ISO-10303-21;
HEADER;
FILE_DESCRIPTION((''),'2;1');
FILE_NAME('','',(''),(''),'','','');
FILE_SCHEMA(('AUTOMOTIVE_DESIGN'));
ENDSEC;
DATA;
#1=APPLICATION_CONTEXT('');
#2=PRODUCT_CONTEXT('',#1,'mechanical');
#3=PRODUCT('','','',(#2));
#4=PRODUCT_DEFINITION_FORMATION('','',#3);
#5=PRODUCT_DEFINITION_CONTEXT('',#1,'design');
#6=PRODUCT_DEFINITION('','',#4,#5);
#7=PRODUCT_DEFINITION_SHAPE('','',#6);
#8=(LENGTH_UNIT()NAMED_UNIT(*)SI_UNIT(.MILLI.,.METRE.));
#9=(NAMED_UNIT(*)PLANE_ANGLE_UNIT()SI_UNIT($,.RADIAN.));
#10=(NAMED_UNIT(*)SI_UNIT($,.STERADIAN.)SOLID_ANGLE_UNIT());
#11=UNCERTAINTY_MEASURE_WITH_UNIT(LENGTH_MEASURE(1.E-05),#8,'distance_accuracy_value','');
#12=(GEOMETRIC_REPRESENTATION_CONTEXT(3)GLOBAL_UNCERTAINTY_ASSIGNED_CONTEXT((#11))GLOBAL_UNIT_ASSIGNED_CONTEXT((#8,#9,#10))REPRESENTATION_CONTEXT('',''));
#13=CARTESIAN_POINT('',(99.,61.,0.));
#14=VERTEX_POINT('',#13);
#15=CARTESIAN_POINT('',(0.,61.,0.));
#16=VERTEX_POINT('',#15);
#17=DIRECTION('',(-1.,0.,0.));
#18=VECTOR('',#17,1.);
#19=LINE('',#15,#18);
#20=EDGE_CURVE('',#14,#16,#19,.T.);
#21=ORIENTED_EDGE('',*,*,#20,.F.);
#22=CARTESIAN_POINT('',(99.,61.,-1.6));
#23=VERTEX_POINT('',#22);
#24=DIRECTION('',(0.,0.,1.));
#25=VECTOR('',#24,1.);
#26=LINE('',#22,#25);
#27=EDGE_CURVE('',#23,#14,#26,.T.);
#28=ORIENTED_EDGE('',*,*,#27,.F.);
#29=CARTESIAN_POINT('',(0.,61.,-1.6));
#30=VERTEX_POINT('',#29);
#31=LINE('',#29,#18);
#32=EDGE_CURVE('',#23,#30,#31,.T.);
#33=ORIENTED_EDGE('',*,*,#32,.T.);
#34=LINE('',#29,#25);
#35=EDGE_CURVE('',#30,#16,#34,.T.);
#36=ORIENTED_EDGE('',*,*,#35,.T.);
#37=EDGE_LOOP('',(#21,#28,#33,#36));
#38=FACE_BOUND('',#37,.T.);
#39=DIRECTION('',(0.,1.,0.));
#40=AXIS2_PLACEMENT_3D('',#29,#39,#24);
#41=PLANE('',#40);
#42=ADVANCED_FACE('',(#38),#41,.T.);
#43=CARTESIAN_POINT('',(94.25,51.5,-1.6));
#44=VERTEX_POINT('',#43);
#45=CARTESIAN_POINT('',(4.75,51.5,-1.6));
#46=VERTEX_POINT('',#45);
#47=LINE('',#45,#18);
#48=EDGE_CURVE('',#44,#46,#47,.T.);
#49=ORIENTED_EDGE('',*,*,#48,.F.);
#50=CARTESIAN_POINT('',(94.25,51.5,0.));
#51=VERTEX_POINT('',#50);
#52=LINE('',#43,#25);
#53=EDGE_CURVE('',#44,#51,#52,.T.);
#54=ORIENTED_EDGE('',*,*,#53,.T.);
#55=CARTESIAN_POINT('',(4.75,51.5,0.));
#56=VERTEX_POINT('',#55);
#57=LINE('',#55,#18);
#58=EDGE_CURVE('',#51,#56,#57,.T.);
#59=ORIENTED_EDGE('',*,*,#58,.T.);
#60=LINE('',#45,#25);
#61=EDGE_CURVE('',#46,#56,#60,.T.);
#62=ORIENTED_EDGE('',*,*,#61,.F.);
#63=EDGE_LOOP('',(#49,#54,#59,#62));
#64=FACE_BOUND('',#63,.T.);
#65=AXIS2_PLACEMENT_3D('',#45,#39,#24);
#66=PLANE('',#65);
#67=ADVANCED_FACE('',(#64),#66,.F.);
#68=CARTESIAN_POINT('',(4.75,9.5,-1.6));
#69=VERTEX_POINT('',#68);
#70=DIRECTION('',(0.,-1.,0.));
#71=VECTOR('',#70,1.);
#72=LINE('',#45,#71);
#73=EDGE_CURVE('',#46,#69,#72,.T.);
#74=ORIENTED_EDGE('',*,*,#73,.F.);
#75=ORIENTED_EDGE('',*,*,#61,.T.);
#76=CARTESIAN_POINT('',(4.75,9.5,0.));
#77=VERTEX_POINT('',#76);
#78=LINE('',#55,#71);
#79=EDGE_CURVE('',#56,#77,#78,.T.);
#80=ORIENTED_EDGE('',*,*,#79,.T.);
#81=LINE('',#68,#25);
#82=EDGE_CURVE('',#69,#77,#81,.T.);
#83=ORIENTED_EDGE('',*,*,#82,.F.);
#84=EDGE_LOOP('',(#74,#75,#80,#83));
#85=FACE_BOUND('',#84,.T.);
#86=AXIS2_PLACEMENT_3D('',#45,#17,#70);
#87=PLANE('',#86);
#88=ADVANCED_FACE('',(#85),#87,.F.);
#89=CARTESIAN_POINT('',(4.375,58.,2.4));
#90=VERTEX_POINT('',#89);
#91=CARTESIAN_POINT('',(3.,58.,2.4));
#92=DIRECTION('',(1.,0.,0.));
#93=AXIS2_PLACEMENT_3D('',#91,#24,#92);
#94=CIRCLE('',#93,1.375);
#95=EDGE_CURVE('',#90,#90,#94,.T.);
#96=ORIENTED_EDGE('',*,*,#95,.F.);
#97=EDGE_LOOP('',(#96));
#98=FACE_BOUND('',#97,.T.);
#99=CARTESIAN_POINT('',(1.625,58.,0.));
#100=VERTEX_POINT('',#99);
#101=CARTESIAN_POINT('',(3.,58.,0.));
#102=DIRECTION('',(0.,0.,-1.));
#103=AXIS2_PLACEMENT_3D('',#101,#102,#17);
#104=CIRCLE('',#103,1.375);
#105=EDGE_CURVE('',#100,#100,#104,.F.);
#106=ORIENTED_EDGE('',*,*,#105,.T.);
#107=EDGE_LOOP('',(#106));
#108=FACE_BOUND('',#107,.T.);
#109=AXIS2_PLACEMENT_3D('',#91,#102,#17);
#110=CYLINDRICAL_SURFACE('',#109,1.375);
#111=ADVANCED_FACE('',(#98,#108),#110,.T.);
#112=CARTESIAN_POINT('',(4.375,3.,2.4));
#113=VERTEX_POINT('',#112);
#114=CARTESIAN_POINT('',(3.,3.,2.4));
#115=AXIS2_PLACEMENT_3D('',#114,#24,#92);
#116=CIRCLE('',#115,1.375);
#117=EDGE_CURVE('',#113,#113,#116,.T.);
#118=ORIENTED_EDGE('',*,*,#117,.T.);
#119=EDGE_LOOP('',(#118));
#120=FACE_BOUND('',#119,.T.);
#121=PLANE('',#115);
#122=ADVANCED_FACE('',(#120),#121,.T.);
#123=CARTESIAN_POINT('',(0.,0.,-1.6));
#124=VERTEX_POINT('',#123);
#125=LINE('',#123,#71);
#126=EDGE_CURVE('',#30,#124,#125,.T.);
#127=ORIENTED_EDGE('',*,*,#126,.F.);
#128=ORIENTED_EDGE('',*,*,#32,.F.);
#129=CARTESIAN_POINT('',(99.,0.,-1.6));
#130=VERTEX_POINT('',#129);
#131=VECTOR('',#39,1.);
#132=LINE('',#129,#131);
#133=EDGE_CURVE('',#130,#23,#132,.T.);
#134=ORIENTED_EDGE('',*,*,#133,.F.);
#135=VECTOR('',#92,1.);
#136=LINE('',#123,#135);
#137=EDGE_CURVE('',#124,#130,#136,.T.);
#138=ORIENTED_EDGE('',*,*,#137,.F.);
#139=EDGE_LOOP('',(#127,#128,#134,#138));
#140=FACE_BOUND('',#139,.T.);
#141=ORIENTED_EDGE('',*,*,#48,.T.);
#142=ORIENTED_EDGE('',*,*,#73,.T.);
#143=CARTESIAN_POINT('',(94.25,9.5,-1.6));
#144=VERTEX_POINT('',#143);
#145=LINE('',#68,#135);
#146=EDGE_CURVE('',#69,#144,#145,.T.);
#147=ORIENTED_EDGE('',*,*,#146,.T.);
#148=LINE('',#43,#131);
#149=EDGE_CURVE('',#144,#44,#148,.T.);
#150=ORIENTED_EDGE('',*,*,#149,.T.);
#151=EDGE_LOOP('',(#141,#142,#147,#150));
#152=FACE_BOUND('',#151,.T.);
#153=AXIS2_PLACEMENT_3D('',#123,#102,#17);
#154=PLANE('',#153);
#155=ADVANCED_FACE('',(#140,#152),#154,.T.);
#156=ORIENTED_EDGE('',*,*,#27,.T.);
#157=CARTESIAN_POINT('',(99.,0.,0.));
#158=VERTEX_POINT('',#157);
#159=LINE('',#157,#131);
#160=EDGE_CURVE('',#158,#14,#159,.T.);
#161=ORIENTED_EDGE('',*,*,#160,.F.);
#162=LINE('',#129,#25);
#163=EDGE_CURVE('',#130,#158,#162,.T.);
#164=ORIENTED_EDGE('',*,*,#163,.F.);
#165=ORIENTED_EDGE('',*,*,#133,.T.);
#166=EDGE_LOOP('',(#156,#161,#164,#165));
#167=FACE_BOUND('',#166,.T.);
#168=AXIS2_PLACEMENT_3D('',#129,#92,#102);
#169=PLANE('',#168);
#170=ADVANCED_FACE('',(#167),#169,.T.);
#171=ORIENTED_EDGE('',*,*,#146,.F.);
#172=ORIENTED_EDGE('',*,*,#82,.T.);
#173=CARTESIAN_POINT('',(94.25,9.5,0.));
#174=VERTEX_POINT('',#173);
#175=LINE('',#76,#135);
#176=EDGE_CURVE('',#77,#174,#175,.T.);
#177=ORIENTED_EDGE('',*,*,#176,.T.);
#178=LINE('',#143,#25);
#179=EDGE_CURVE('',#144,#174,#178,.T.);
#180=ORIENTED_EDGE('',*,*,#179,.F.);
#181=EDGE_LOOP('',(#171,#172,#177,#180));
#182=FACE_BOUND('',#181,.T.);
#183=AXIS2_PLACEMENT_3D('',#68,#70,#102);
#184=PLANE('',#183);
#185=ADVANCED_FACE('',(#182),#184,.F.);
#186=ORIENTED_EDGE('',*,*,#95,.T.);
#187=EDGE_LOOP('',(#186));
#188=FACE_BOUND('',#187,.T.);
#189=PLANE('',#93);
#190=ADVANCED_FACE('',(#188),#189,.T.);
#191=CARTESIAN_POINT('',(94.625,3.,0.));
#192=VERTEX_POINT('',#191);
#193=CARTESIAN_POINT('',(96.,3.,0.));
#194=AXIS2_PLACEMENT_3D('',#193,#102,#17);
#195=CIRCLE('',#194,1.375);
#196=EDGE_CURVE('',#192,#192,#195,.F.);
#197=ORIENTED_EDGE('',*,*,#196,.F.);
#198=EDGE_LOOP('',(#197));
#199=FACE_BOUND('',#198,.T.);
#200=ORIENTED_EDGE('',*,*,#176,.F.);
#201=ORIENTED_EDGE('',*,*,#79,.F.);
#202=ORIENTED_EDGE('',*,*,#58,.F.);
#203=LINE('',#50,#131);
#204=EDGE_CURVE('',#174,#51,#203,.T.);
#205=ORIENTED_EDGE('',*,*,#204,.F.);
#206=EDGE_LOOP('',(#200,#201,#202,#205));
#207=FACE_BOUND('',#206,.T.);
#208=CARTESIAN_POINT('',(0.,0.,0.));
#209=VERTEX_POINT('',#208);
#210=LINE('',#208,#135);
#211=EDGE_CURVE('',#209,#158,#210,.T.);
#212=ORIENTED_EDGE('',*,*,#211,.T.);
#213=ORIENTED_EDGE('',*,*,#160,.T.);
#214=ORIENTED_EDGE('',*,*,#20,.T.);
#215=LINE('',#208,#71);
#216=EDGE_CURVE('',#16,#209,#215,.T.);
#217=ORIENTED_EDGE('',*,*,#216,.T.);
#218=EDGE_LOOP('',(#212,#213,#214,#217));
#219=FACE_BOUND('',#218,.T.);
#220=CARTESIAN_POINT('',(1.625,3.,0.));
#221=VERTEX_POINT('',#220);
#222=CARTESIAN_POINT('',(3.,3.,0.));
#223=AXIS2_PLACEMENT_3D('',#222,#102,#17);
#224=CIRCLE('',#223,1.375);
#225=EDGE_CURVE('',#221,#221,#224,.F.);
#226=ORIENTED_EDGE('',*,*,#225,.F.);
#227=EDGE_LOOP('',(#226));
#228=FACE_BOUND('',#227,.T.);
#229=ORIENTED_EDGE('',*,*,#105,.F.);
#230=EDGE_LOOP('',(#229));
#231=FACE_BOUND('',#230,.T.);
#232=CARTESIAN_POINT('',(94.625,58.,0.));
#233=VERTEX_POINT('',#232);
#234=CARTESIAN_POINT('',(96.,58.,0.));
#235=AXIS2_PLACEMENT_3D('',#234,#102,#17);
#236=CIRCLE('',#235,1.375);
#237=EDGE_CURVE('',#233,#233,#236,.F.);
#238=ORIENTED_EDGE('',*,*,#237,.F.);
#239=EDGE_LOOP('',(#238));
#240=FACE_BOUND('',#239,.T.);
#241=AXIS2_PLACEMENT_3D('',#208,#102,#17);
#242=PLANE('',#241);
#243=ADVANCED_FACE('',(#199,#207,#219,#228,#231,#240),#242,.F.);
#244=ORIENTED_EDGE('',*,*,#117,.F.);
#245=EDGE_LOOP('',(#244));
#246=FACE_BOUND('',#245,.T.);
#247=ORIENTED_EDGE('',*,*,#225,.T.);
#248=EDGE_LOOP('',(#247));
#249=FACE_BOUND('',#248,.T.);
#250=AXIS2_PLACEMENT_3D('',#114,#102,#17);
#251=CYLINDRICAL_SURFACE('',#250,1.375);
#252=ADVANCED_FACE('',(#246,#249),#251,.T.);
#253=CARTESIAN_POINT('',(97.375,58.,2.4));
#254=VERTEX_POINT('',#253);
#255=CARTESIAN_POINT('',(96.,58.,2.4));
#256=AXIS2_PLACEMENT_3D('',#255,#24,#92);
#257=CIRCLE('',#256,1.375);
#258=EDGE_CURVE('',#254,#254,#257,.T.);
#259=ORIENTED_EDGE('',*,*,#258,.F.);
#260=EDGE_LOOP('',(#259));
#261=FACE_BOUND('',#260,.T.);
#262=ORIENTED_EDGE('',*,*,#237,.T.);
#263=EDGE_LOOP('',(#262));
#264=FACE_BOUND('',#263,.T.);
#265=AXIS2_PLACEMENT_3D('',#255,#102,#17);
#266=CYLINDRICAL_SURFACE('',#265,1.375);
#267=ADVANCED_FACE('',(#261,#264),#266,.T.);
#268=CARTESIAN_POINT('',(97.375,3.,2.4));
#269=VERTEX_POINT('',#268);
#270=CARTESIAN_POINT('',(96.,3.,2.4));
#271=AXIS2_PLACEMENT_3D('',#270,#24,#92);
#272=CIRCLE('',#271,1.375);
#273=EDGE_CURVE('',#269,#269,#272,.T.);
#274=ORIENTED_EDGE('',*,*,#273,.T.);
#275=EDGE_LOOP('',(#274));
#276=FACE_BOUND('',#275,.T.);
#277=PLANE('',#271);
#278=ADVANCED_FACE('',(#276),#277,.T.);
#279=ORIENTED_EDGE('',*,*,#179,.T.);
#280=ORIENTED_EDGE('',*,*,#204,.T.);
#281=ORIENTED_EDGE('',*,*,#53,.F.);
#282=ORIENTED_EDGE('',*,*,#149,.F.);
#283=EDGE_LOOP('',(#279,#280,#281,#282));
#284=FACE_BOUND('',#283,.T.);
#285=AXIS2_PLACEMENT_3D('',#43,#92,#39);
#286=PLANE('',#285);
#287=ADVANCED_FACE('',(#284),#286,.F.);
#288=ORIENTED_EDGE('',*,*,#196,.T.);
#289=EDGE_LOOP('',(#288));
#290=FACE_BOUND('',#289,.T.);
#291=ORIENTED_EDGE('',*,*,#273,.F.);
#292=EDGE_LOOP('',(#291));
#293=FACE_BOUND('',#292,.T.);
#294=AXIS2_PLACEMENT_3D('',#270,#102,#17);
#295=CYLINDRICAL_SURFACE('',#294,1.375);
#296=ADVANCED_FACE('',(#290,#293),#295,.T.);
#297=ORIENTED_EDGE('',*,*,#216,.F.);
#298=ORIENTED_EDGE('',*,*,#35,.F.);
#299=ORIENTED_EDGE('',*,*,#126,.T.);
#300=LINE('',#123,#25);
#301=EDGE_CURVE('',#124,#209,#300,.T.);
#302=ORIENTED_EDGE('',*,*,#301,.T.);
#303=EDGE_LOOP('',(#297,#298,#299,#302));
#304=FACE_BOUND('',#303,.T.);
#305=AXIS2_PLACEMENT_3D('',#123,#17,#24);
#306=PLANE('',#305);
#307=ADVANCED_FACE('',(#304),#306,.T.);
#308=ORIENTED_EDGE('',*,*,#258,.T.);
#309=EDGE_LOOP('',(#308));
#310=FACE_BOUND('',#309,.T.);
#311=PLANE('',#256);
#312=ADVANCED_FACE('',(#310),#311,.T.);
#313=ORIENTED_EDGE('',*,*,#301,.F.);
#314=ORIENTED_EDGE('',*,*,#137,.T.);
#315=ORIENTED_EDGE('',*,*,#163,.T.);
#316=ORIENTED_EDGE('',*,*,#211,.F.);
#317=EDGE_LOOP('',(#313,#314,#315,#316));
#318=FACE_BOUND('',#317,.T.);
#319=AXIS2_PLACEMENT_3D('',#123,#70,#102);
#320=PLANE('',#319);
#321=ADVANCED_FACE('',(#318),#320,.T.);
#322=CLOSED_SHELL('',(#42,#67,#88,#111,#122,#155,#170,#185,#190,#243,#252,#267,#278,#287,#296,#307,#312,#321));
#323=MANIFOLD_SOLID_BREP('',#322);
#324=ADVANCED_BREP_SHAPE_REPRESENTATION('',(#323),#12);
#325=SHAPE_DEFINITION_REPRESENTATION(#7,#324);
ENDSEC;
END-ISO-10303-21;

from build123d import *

# Parameters (mm, degrees)
SKETCH2_W           = 99
SKETCH2_H           = 61
SKETCH2_W_2         = 89.5
SKETCH2_H_2         = 42
BOSS_EXTRUDE1_DEPTH = 1.6
SKETCH3_R           = 1.375
BOSS_EXTRUDE2_DEPTH = 2.4


with BuildPart() as part:
    # Sketch2 → Boss-Extrude1 (new body)
    with BuildSketch(Plane.XY):
        with Locations((49.5, 30.5)):
            Rectangle(SKETCH2_W, SKETCH2_H)
        with Locations((49.5, 30.5)):
            Rectangle(SKETCH2_W_2, SKETCH2_H_2, mode=Mode.SUBTRACT)
    extrude(amount=-BOSS_EXTRUDE1_DEPTH)

    # Sketch3 → Boss-Extrude2 (add)
    with BuildSketch(Plane.XY):
        with Locations(Location((3, 58, 0), (0, 0, 180))):
            Circle(SKETCH3_R)
        with Locations(Location((96, 58, 0), (0, 0, 180))):
            Circle(SKETCH3_R)
        with Locations(Location((96, 3, 0), (0, 0, 180))):
            Circle(SKETCH3_R)
        with Locations(Location((3, 3, 0), (0, 0, 180))):
            Circle(SKETCH3_R)
    extrude(amount=BOSS_EXTRUDE2_DEPTH)


solid = part.part
